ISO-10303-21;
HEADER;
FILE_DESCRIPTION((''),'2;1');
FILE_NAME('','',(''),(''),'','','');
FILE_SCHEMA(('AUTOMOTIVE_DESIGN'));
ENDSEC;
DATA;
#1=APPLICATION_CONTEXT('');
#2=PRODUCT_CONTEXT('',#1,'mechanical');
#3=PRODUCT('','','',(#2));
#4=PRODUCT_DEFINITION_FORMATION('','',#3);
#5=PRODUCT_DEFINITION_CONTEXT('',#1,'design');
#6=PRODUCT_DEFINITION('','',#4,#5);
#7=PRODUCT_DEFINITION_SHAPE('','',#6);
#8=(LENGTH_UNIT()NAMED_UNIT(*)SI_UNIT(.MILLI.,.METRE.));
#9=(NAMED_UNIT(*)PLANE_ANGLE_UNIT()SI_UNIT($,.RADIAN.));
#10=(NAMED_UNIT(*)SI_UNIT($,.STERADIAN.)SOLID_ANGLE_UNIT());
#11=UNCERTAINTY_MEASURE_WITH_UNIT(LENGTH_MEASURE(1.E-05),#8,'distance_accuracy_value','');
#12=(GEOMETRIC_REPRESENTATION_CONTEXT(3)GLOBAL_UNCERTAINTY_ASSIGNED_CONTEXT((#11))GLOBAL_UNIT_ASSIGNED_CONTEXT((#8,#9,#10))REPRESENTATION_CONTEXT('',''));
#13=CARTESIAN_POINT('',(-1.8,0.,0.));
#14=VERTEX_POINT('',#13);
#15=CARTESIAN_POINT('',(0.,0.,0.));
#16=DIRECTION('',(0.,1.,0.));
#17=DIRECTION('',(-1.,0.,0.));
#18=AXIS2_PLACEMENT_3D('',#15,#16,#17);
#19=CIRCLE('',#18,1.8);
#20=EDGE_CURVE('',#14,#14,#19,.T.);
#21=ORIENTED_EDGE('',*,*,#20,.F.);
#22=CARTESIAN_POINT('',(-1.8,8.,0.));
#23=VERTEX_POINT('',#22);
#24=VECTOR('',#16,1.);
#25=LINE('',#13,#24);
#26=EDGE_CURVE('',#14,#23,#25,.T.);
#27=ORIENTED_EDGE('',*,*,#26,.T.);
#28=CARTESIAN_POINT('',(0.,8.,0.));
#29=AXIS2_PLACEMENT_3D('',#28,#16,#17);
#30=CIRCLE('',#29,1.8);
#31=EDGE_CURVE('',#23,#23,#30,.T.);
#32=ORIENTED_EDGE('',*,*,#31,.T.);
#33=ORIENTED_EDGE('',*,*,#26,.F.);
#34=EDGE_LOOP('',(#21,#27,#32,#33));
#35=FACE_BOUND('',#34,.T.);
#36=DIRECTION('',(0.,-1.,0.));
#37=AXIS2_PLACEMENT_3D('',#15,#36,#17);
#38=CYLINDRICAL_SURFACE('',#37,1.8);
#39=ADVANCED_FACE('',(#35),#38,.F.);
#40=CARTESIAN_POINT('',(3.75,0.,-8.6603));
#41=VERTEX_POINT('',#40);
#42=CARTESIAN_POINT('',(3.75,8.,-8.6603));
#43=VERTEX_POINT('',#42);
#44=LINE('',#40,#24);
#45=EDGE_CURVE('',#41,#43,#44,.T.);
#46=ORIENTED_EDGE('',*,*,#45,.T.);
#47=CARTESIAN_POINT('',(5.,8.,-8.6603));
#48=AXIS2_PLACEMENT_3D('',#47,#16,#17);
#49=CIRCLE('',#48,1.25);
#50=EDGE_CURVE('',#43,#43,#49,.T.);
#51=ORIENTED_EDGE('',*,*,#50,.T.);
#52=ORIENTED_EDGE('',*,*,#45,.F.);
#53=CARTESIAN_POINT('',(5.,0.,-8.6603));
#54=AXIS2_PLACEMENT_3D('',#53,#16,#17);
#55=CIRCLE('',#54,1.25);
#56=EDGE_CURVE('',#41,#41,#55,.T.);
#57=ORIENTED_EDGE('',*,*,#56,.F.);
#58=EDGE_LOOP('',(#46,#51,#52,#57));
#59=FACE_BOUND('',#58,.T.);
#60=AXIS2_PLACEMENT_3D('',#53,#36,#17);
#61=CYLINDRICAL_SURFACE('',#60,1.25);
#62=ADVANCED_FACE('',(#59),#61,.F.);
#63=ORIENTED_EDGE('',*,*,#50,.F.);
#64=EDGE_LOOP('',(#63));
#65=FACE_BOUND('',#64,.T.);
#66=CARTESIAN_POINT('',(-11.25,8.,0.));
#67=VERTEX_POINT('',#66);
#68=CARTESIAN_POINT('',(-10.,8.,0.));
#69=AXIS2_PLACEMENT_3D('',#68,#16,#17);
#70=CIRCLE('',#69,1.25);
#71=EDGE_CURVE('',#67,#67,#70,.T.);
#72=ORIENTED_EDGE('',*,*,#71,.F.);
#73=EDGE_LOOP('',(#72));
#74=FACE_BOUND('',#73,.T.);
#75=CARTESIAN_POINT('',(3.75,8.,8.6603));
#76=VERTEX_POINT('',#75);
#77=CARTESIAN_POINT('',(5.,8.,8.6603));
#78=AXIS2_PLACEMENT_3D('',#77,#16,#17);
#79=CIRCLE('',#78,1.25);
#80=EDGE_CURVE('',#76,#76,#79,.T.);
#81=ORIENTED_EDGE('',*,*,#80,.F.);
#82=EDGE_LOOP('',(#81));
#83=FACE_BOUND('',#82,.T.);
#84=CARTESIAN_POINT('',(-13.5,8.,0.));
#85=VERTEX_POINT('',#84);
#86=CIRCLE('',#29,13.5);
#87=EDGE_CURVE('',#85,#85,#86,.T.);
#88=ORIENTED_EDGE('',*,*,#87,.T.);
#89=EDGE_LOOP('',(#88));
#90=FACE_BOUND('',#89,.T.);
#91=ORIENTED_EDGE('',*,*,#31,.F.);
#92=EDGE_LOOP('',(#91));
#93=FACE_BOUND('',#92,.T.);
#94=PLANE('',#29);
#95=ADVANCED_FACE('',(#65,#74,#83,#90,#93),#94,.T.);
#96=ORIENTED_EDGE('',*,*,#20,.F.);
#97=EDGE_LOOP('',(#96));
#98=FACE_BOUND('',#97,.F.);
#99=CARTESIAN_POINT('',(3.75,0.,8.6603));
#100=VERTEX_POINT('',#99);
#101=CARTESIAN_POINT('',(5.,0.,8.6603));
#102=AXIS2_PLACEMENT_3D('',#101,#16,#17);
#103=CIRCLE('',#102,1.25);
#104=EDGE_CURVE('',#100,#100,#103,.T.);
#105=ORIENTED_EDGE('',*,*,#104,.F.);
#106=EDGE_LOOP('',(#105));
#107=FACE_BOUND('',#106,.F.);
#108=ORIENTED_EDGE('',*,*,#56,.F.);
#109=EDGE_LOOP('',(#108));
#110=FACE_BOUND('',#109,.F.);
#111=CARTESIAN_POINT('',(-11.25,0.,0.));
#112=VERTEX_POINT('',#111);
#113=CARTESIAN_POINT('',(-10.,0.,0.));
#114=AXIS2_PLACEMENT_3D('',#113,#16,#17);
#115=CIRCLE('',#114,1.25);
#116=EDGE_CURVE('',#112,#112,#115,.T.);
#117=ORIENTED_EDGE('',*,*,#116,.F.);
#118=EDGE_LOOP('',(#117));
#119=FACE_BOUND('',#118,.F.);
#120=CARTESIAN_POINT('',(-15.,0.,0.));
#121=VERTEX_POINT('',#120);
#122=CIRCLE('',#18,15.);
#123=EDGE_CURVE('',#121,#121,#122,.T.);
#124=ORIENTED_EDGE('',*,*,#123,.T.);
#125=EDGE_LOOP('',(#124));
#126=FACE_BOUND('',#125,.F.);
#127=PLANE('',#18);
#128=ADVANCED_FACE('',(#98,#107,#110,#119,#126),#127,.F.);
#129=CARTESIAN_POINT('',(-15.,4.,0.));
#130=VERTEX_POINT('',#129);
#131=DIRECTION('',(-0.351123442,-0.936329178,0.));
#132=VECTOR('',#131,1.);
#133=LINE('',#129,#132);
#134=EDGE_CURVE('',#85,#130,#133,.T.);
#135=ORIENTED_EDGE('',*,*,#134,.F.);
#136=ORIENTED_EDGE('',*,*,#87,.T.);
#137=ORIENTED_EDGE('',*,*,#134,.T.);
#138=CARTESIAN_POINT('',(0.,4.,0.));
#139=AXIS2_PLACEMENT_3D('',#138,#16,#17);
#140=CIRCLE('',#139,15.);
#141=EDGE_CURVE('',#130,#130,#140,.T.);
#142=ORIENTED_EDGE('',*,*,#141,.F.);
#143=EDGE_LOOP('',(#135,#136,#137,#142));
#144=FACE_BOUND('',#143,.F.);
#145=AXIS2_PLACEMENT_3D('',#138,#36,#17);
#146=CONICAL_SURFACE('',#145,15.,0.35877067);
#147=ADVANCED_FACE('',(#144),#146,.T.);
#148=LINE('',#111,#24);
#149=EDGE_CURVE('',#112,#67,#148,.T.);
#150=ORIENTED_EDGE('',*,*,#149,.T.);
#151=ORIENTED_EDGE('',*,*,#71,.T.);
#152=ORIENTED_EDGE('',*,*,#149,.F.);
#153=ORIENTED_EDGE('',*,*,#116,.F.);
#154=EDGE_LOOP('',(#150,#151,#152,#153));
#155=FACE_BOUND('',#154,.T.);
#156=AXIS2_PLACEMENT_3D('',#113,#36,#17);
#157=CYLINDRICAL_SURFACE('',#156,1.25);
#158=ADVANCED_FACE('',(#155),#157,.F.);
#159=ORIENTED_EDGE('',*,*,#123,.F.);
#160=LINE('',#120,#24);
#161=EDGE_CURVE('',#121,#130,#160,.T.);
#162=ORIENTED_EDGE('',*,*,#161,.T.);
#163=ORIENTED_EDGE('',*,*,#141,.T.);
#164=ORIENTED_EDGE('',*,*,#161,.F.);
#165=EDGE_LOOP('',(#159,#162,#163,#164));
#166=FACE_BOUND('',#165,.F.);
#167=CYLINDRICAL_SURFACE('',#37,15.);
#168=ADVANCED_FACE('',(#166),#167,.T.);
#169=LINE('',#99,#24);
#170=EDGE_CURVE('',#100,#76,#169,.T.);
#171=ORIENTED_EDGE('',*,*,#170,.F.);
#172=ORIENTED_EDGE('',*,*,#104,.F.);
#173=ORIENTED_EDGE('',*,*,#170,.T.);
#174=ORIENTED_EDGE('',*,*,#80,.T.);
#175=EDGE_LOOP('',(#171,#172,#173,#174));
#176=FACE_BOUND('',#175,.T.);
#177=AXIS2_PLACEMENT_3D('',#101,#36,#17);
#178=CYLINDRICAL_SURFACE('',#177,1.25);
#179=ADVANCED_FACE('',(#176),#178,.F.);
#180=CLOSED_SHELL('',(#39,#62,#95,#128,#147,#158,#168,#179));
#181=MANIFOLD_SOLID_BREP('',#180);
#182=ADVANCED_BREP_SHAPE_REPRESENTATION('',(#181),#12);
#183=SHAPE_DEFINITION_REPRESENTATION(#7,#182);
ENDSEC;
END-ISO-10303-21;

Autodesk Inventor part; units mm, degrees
ref_plane "YZ Plane" through (0, 0, 0) normal (1, 0, 0) x (0, 1, 0)
ref_plane "XZ Plane" through (0, 0, 0) normal (0, 1, 0) x (-1, 0, 0)
ref_plane "XY Plane" through (0, 0, 0) normal (0, 0, 1) x (1, 0, 0)
sketch "Sketch1" plane through (0, 0, 0) normal (0, 1, 0) x (-1, 0, 0)
  circle A0 centre (-5, -8.6603) radius 1.25
  circle A1 centre (-5, -8.6603) radius 1
  circle A2 centre (10, 0) radius 1
  circle A3 centre (10, 0) radius 1
  circle A4 centre (-5, 8.6603) radius 1
  circle A5 centre (-5, 8.6603) radius 1
  circle A6 centre (0, 0) radius 1.8
  circle A7 centre (0, 0) radius 15
  circle A8 centre (10, 0) radius 1.25
  circle A9 centre (-5, 8.6603) radius 1.25
  dimension "d1" = 3.6
  dimension "d2" = 30
  dimension "d3" = 8.6602
  dimension "d4" = 10
  dimension "d5" = 10
  dimension "d6" = 10
  dimension "d7" = 2.5
  dimension "d8" = 2.5
  dimension "d9" = 2.5
extrude "Extrusion1" add sketch "Sketch1" along normal blind 8 contours A7
chamfer "Chamfer1" distance 1.5 distance2 4 1 edges at (15, 8, 0) measured on face at (-6.2778, 8, -4.9516)
properties part number "bevel-gear-side"
